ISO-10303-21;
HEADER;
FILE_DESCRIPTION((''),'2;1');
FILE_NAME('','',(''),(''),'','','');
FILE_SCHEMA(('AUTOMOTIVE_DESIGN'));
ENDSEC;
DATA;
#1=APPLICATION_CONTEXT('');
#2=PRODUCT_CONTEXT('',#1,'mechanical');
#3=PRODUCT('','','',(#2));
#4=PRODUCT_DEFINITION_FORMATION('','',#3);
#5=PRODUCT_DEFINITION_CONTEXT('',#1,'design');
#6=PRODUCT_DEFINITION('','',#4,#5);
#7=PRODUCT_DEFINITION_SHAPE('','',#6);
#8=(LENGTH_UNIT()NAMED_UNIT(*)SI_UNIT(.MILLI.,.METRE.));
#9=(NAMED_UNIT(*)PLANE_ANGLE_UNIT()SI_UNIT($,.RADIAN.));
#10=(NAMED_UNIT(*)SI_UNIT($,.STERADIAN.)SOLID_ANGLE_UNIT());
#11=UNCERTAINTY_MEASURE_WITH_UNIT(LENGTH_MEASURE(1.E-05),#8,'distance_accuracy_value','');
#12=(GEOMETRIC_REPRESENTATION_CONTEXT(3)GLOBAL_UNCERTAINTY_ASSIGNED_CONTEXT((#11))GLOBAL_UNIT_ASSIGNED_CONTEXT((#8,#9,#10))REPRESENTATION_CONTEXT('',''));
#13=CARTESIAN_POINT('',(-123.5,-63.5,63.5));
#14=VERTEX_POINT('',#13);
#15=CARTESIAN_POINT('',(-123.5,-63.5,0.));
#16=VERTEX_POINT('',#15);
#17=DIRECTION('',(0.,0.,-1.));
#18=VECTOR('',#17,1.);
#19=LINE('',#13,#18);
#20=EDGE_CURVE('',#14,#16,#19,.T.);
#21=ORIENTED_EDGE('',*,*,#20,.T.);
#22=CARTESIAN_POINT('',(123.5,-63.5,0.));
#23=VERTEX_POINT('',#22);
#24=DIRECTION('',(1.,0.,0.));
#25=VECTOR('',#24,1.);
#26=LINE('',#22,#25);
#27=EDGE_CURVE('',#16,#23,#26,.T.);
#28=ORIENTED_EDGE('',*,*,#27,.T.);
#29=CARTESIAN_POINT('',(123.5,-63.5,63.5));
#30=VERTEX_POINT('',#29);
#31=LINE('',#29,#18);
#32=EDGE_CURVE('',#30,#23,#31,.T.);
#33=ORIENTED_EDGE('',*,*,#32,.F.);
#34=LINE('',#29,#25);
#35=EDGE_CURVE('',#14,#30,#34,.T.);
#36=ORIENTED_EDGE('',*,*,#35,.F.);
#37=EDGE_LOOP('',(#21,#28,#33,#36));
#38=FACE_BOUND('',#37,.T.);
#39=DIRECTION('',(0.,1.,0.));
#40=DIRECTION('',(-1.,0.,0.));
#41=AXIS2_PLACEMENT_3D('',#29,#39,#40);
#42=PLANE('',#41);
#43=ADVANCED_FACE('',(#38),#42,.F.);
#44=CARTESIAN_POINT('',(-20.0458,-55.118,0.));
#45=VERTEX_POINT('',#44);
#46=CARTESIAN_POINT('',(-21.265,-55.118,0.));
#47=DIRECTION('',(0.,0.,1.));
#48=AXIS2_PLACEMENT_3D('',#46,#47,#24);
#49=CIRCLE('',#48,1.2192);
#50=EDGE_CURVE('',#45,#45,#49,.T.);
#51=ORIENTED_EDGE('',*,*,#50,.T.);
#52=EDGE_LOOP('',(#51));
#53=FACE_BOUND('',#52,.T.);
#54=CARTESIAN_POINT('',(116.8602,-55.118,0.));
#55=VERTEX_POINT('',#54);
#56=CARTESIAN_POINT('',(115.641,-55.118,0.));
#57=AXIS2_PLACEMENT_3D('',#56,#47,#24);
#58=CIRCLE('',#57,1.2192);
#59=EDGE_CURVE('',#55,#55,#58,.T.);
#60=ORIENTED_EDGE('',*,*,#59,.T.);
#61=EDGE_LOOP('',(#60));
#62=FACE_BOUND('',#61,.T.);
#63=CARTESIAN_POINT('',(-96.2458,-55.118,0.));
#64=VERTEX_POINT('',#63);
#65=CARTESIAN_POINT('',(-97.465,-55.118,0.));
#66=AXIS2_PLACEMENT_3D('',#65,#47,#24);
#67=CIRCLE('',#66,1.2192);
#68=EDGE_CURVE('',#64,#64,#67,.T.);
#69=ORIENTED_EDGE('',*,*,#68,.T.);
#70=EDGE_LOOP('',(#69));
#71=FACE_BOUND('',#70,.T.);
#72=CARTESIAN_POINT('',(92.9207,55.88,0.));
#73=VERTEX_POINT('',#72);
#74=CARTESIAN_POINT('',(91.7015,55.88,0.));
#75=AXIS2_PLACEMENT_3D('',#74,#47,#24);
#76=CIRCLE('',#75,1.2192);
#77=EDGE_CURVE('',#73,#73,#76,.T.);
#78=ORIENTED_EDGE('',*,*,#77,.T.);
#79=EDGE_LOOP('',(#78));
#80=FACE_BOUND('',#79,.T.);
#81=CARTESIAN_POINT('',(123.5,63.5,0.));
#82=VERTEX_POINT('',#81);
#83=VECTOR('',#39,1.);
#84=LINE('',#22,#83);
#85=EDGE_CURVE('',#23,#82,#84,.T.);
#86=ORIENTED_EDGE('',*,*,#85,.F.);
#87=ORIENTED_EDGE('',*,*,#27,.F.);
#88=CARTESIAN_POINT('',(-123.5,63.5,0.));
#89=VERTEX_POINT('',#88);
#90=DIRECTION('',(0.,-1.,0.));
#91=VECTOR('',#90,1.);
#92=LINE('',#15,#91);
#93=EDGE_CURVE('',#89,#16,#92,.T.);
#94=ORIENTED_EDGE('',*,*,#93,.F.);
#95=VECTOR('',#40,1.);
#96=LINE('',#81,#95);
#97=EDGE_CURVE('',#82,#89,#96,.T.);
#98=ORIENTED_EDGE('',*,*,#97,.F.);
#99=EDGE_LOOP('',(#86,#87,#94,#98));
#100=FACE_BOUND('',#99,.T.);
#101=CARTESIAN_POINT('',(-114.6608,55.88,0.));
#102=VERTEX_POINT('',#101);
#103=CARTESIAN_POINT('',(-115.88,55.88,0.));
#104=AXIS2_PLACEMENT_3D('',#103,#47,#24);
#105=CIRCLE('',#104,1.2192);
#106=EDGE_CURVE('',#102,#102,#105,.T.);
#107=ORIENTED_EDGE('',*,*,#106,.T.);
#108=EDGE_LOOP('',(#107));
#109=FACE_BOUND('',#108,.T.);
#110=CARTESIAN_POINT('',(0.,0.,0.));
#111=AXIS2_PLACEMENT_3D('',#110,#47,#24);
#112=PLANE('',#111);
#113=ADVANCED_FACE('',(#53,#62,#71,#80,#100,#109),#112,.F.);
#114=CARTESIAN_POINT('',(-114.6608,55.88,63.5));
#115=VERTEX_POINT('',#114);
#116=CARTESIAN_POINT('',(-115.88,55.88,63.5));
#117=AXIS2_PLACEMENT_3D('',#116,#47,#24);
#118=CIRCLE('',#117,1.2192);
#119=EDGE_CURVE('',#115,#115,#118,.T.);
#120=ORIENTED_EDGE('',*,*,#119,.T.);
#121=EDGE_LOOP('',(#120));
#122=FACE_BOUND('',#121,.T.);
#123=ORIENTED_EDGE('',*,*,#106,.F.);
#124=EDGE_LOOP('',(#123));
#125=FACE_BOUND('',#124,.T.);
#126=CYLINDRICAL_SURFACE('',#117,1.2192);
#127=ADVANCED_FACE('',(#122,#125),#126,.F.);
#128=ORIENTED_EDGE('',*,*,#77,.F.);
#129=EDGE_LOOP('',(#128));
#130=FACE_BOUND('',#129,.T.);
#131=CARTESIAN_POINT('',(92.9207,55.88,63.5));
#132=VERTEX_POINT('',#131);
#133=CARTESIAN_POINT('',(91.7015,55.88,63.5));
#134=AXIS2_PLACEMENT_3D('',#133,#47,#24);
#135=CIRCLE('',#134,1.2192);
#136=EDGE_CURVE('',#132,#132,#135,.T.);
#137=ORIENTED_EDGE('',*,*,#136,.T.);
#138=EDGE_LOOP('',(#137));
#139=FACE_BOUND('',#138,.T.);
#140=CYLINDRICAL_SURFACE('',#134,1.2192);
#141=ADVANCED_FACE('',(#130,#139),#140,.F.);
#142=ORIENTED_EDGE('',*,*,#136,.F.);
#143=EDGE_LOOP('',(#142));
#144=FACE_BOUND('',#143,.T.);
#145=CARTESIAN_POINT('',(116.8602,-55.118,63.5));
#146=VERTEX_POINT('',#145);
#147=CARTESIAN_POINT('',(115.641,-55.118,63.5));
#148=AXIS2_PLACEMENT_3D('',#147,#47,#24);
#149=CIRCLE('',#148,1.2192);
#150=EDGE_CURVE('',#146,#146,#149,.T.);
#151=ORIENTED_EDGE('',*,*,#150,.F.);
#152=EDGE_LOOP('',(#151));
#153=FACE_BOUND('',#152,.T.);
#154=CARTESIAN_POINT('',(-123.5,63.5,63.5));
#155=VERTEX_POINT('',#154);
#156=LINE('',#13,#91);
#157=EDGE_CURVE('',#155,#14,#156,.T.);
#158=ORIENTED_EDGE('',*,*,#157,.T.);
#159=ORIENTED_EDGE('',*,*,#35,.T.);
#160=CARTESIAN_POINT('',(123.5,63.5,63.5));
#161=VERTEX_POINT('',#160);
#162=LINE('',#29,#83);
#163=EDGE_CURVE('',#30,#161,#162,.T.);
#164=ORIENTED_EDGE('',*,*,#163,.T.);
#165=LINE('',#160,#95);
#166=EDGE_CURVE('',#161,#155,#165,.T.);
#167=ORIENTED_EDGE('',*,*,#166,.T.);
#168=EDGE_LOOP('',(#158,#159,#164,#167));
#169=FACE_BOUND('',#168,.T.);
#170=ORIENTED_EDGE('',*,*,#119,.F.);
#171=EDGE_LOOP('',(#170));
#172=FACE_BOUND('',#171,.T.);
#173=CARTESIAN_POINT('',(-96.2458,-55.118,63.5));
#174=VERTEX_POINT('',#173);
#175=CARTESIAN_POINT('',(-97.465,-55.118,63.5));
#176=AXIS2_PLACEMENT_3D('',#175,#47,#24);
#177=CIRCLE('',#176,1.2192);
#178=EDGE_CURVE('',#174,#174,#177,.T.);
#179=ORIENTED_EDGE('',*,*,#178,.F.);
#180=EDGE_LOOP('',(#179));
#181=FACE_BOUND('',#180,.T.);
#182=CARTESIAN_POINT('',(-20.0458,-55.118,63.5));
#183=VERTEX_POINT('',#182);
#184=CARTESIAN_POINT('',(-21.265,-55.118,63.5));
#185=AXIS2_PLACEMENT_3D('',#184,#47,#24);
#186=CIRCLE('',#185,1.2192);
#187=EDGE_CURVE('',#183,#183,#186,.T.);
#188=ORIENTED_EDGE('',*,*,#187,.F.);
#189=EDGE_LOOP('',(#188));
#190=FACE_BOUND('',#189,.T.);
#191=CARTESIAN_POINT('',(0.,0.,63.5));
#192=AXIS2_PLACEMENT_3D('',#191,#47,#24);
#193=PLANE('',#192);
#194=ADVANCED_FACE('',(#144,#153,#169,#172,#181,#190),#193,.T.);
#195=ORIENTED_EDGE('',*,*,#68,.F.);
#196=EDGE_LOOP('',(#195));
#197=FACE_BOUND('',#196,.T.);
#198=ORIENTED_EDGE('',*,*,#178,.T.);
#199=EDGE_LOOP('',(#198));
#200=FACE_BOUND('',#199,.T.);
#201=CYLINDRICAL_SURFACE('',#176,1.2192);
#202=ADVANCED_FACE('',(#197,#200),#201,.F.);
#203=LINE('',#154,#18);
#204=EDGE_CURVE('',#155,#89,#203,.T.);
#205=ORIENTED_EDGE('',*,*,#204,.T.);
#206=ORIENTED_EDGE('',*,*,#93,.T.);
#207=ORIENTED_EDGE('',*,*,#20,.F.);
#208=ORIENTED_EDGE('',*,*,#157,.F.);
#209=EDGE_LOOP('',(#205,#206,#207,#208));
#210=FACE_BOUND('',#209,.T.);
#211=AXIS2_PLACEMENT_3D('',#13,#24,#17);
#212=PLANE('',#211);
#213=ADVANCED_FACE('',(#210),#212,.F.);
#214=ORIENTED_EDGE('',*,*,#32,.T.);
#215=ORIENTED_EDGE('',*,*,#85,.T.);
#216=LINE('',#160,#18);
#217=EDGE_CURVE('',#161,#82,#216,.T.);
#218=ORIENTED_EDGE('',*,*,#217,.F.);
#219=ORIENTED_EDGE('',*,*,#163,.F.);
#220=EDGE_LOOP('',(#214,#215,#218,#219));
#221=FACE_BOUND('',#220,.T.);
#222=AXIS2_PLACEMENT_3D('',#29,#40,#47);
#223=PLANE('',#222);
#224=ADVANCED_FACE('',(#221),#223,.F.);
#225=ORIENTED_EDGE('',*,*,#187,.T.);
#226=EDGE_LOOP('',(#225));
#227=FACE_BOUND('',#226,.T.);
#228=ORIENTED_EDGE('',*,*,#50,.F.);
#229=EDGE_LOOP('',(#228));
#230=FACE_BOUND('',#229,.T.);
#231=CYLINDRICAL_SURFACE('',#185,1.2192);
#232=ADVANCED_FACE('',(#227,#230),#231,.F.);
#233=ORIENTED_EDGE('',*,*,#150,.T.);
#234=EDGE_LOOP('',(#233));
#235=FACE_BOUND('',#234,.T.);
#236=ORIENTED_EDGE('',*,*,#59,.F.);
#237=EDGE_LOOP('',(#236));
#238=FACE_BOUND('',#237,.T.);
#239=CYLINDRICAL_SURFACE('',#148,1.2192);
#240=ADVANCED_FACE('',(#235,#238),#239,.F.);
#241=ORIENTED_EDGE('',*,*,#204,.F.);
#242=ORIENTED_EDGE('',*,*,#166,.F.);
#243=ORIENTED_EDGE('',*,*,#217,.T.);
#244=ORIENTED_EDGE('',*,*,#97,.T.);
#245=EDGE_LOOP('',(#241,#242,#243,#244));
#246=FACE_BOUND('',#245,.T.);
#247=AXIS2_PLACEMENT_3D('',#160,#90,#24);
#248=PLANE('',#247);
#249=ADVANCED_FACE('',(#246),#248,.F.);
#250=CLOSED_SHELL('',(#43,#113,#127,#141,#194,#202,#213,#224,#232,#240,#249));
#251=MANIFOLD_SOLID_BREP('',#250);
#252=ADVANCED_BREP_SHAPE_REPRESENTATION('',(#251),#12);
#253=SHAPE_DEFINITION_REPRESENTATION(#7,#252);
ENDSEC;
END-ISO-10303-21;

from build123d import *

# Parameters (mm, degrees)
SKETCH1_W                   = 247
SKETCH1_H                   = 127
BOSS_EXTRUDE1_DEPTH         = 63.5
F_41_0_096_DIAMETER_HOLE1_D = 2.4384


with BuildPart() as part:
    # Sketch1 → Boss-Extrude1 (new body)
    with BuildSketch(Plane.XY):
        Rectangle(SKETCH1_W, SKETCH1_H)
    extrude(amount=BOSS_EXTRUDE1_DEPTH)

    # #41 (0.096) Diameter Hole1 (through all)
    with Locations(Plane.XY.offset(63.5)):
        with Locations((-115.88, 55.88), (-97.465, -55.118), (-21.265, -55.118), (115.641, -55.118), (91.7015, 55.88)):
            Hole(F_41_0_096_DIAMETER_HOLE1_D / 2)


solid = part.part
